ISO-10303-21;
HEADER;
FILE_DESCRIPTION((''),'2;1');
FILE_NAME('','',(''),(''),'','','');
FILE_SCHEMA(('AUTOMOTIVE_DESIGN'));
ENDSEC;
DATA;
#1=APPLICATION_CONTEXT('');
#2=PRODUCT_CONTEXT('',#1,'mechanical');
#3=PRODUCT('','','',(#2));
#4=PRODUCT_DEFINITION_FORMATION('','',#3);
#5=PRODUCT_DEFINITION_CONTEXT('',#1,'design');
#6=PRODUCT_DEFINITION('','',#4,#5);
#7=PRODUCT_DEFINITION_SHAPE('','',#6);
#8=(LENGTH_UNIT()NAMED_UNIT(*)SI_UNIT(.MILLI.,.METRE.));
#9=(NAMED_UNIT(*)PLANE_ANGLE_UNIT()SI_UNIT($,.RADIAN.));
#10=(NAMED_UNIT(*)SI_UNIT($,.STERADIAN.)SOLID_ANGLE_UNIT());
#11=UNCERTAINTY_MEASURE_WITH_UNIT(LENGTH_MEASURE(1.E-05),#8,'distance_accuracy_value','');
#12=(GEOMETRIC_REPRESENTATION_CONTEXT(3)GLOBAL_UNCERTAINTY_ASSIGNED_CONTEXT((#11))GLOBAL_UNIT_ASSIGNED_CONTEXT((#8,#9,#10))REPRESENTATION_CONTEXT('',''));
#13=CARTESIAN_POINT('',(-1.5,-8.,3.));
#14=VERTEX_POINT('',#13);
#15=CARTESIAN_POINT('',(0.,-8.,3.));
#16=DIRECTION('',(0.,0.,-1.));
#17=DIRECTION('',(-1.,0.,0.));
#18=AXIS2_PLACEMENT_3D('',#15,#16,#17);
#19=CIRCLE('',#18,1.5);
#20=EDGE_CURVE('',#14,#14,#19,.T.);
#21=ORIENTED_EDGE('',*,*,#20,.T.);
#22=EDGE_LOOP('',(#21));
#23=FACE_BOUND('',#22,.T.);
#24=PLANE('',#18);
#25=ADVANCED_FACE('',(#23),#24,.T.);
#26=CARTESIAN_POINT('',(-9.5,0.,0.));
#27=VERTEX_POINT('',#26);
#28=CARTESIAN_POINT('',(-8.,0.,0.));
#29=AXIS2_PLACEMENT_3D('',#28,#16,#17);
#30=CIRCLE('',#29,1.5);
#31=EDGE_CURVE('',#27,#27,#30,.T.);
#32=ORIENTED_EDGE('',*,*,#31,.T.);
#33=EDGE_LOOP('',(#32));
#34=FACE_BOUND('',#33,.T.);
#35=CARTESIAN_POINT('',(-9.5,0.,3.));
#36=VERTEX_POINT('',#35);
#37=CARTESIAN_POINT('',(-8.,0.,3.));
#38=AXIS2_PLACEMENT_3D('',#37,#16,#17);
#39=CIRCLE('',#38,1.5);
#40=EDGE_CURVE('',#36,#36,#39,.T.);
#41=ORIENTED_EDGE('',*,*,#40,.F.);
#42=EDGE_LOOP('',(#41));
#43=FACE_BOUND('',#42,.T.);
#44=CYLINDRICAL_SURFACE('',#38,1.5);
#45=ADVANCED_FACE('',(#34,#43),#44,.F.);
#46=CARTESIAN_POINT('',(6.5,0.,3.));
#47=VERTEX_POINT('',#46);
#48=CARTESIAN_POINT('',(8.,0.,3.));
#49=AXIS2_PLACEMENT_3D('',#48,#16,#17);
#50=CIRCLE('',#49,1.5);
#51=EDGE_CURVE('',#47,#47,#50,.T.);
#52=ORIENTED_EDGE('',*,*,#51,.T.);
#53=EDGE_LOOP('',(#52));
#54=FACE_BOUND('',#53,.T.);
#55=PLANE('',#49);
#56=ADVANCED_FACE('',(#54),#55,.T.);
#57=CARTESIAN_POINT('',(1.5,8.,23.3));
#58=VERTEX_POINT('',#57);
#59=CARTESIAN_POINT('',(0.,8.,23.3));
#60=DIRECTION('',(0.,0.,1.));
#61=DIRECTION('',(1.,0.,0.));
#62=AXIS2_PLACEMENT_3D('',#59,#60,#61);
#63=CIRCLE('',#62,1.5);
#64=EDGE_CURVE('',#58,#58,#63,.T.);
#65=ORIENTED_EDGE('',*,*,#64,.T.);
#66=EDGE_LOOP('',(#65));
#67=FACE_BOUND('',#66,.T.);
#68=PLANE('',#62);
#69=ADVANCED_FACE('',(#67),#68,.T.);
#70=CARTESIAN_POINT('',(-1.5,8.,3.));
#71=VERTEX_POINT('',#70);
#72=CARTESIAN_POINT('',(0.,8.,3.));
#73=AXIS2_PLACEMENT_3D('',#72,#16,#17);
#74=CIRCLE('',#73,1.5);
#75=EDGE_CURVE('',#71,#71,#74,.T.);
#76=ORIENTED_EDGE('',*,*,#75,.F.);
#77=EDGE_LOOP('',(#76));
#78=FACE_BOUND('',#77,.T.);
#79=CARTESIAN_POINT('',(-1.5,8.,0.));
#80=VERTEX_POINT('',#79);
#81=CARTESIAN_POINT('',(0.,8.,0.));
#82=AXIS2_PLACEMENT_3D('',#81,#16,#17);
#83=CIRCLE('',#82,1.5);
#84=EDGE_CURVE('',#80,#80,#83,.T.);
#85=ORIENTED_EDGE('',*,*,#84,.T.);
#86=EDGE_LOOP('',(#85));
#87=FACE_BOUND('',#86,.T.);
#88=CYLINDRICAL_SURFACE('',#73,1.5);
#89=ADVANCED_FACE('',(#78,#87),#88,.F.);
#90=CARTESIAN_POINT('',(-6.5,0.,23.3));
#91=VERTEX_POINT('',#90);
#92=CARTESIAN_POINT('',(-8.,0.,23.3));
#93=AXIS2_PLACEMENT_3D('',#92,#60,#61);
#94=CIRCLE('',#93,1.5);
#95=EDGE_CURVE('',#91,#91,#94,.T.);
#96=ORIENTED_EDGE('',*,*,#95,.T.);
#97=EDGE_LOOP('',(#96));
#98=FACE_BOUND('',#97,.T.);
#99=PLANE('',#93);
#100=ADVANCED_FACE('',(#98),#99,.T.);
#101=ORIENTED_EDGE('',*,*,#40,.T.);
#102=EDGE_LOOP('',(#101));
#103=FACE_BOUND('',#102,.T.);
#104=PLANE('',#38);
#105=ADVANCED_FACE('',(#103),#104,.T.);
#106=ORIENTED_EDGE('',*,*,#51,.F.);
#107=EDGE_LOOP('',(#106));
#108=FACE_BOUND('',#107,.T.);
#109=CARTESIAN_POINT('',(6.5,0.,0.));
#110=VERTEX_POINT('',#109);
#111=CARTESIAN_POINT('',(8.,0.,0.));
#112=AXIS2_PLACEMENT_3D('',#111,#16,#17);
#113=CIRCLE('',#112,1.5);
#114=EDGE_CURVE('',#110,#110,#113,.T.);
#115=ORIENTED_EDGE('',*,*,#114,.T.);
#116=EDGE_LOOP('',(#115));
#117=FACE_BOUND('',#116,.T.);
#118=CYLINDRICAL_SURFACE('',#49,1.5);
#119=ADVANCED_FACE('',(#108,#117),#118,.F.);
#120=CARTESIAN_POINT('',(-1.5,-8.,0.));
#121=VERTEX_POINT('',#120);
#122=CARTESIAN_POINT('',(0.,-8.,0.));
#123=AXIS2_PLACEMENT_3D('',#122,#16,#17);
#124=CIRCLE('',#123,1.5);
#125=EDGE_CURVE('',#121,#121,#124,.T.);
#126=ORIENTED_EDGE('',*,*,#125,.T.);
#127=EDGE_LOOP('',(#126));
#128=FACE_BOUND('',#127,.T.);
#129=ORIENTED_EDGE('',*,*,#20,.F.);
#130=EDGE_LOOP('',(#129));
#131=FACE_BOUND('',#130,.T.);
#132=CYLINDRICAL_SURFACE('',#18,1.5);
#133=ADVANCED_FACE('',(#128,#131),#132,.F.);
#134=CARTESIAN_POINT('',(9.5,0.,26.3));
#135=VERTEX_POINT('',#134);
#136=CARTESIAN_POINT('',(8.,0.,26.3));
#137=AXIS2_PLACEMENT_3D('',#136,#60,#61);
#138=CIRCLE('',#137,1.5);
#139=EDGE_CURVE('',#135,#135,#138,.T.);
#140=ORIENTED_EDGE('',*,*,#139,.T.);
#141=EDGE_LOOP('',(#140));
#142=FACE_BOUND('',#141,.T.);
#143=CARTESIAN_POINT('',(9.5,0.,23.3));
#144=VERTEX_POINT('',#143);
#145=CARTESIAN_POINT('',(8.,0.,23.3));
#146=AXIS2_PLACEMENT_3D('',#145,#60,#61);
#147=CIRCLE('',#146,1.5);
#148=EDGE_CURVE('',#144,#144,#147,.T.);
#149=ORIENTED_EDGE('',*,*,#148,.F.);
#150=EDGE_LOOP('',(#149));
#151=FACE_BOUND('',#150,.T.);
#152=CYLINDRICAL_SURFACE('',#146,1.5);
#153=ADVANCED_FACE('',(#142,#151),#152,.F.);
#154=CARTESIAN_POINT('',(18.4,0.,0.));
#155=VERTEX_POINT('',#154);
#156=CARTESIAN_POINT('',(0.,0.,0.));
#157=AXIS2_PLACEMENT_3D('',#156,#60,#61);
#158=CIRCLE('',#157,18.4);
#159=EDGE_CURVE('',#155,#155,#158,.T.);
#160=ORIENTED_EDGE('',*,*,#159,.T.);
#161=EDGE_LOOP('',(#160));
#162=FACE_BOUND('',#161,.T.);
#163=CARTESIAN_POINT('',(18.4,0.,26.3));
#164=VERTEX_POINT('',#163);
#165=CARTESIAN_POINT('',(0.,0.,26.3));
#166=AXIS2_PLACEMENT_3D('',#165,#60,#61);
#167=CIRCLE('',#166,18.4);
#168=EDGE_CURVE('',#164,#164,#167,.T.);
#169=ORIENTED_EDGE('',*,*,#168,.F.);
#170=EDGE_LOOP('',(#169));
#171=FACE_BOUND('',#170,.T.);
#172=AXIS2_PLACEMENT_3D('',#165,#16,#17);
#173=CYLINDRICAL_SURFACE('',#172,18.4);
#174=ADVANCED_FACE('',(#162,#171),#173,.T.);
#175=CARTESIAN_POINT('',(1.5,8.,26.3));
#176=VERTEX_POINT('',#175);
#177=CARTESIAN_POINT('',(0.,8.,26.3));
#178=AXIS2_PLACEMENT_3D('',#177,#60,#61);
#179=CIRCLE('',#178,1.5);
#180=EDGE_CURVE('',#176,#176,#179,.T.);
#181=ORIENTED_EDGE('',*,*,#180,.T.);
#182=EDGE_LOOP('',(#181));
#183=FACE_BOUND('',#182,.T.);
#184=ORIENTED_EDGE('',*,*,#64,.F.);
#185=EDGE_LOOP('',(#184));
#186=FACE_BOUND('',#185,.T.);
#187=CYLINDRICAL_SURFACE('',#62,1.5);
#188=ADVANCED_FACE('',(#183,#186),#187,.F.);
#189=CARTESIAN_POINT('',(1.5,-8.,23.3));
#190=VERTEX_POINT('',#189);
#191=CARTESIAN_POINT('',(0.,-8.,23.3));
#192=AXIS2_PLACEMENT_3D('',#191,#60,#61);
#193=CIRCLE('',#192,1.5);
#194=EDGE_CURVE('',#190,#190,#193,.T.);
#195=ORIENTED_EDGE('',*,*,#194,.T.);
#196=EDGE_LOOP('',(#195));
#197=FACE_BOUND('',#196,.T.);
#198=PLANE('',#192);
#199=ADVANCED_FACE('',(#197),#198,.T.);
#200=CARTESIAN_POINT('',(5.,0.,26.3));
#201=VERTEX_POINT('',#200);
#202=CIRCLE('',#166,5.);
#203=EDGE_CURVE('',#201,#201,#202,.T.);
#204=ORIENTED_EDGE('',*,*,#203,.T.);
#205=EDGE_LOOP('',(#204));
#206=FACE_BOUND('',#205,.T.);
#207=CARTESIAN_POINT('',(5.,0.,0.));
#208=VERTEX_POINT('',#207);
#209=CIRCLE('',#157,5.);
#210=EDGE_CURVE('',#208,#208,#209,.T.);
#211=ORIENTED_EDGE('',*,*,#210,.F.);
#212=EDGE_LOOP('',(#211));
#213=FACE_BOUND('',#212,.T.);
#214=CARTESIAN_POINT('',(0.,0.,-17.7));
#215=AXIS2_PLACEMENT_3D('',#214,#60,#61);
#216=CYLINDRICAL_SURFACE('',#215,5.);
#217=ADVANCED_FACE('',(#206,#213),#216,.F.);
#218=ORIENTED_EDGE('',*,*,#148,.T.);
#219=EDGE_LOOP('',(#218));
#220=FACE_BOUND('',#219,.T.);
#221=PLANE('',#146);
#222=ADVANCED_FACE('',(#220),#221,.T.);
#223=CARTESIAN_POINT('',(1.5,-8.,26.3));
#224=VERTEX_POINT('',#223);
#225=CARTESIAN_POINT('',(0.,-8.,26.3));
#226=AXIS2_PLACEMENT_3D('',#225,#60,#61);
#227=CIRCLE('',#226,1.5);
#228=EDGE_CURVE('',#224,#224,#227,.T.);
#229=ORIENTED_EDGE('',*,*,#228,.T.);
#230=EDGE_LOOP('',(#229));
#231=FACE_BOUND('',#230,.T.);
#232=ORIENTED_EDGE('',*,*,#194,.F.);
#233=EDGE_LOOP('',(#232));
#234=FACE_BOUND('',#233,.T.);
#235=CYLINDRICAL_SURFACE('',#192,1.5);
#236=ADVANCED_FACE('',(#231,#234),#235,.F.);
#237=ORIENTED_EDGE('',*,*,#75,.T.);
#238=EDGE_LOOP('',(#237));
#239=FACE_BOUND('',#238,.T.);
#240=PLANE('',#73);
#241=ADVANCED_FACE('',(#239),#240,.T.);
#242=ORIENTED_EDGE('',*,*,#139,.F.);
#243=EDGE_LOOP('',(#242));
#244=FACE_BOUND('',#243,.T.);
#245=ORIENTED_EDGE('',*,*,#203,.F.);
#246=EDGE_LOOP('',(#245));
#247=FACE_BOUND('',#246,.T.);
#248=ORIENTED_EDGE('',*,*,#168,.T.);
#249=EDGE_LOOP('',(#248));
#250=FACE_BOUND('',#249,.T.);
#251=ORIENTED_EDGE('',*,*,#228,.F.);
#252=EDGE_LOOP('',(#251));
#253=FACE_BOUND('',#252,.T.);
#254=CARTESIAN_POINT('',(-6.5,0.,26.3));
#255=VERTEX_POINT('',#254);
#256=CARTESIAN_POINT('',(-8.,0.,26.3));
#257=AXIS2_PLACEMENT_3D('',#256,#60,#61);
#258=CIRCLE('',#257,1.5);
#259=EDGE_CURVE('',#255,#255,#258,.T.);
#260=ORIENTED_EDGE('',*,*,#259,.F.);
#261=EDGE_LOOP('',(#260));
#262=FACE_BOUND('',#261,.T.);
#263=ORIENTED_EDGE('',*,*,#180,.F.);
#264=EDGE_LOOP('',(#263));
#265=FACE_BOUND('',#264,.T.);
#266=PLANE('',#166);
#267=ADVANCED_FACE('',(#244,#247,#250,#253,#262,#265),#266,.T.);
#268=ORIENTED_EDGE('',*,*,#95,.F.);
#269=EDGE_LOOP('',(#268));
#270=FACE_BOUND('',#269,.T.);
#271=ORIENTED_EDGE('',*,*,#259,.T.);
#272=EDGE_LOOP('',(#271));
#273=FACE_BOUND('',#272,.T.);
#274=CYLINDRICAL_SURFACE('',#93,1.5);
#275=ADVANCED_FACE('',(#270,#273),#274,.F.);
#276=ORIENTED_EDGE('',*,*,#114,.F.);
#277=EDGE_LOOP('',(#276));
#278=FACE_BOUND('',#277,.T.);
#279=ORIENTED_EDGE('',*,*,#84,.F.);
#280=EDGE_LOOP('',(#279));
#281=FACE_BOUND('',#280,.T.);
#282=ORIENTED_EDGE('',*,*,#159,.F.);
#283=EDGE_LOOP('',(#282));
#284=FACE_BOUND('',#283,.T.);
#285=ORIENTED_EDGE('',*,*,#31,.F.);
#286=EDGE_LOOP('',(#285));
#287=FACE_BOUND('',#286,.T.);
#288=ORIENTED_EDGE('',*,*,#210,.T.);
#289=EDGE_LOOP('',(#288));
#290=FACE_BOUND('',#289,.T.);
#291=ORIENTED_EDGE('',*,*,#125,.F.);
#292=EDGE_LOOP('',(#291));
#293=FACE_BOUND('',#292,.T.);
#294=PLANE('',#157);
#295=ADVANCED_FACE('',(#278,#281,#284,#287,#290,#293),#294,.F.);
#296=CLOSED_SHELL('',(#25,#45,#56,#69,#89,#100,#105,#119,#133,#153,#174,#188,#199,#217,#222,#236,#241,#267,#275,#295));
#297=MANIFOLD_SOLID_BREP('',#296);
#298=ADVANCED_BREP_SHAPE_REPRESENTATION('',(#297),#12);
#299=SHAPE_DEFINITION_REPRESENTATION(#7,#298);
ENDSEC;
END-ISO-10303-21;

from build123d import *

# Parameters (mm, degrees)
CROQUIS1_R              = 18.4
SALIENTE_EXTRUIR1_DEPTH = 26.3
CROQUIS2_R              = 1.5
CORTAR_EXTRUIR1_DEPTH   = 3
CROQUIS3_R              = 5
CORTAR_EXTRUIR2_DEPTH   = 44
CORTAR_EXTRUIR3_START   = -3
CROQUIS4_R              = 1.5
CORTAR_EXTRUIR3_DEPTH   = 3


with BuildPart() as part:
    # Croquis1 → Saliente-Extruir1 (new body)
    with BuildSketch(Plane.XY):
        Circle(CROQUIS1_R)
    extrude(amount=SALIENTE_EXTRUIR1_DEPTH)

    # Croquis2 → Cortar-Extruir1 (cut)
    with BuildSketch(Plane.XY.offset(26.3)):
        with Locations((0, 8)):
            Circle(CROQUIS2_R)
        with Locations((8, 0)):
            Circle(CROQUIS2_R)
        with Locations((0, -8)):
            Circle(CROQUIS2_R)
        with Locations((-8, 0)):
            Circle(CROQUIS2_R)
    extrude(amount=-CORTAR_EXTRUIR1_DEPTH, mode=Mode.SUBTRACT)

    # Croquis3 → Cortar-Extruir2 (cut)
    with BuildSketch(Plane.XY.offset(26.3)):
        Circle(CROQUIS3_R)
    extrude(amount=-CORTAR_EXTRUIR2_DEPTH, mode=Mode.SUBTRACT)

    # Croquis4 → Cortar-Extruir3 (cut)
    with BuildSketch(Plane(origin=(0, 0, 0), x_dir=(-1, 0, 0), z_dir=(0, 0, -1)).offset(CORTAR_EXTRUIR3_START)):
        with Locations(Location((0, 8, 0), (0, 0, 180))):
            Circle(CROQUIS4_R)
        with Locations(Location((8, 0, 0), (0, 0, 180))):
            Circle(CROQUIS4_R)
        with Locations(Location((0, -8, 0), (0, 0, 180))):
            Circle(CROQUIS4_R)
        with Locations(Location((-8, 0, 0), (0, 0, 180))):
            Circle(CROQUIS4_R)
    extrude(amount=CORTAR_EXTRUIR3_DEPTH, mode=Mode.SUBTRACT)


solid = part.part
